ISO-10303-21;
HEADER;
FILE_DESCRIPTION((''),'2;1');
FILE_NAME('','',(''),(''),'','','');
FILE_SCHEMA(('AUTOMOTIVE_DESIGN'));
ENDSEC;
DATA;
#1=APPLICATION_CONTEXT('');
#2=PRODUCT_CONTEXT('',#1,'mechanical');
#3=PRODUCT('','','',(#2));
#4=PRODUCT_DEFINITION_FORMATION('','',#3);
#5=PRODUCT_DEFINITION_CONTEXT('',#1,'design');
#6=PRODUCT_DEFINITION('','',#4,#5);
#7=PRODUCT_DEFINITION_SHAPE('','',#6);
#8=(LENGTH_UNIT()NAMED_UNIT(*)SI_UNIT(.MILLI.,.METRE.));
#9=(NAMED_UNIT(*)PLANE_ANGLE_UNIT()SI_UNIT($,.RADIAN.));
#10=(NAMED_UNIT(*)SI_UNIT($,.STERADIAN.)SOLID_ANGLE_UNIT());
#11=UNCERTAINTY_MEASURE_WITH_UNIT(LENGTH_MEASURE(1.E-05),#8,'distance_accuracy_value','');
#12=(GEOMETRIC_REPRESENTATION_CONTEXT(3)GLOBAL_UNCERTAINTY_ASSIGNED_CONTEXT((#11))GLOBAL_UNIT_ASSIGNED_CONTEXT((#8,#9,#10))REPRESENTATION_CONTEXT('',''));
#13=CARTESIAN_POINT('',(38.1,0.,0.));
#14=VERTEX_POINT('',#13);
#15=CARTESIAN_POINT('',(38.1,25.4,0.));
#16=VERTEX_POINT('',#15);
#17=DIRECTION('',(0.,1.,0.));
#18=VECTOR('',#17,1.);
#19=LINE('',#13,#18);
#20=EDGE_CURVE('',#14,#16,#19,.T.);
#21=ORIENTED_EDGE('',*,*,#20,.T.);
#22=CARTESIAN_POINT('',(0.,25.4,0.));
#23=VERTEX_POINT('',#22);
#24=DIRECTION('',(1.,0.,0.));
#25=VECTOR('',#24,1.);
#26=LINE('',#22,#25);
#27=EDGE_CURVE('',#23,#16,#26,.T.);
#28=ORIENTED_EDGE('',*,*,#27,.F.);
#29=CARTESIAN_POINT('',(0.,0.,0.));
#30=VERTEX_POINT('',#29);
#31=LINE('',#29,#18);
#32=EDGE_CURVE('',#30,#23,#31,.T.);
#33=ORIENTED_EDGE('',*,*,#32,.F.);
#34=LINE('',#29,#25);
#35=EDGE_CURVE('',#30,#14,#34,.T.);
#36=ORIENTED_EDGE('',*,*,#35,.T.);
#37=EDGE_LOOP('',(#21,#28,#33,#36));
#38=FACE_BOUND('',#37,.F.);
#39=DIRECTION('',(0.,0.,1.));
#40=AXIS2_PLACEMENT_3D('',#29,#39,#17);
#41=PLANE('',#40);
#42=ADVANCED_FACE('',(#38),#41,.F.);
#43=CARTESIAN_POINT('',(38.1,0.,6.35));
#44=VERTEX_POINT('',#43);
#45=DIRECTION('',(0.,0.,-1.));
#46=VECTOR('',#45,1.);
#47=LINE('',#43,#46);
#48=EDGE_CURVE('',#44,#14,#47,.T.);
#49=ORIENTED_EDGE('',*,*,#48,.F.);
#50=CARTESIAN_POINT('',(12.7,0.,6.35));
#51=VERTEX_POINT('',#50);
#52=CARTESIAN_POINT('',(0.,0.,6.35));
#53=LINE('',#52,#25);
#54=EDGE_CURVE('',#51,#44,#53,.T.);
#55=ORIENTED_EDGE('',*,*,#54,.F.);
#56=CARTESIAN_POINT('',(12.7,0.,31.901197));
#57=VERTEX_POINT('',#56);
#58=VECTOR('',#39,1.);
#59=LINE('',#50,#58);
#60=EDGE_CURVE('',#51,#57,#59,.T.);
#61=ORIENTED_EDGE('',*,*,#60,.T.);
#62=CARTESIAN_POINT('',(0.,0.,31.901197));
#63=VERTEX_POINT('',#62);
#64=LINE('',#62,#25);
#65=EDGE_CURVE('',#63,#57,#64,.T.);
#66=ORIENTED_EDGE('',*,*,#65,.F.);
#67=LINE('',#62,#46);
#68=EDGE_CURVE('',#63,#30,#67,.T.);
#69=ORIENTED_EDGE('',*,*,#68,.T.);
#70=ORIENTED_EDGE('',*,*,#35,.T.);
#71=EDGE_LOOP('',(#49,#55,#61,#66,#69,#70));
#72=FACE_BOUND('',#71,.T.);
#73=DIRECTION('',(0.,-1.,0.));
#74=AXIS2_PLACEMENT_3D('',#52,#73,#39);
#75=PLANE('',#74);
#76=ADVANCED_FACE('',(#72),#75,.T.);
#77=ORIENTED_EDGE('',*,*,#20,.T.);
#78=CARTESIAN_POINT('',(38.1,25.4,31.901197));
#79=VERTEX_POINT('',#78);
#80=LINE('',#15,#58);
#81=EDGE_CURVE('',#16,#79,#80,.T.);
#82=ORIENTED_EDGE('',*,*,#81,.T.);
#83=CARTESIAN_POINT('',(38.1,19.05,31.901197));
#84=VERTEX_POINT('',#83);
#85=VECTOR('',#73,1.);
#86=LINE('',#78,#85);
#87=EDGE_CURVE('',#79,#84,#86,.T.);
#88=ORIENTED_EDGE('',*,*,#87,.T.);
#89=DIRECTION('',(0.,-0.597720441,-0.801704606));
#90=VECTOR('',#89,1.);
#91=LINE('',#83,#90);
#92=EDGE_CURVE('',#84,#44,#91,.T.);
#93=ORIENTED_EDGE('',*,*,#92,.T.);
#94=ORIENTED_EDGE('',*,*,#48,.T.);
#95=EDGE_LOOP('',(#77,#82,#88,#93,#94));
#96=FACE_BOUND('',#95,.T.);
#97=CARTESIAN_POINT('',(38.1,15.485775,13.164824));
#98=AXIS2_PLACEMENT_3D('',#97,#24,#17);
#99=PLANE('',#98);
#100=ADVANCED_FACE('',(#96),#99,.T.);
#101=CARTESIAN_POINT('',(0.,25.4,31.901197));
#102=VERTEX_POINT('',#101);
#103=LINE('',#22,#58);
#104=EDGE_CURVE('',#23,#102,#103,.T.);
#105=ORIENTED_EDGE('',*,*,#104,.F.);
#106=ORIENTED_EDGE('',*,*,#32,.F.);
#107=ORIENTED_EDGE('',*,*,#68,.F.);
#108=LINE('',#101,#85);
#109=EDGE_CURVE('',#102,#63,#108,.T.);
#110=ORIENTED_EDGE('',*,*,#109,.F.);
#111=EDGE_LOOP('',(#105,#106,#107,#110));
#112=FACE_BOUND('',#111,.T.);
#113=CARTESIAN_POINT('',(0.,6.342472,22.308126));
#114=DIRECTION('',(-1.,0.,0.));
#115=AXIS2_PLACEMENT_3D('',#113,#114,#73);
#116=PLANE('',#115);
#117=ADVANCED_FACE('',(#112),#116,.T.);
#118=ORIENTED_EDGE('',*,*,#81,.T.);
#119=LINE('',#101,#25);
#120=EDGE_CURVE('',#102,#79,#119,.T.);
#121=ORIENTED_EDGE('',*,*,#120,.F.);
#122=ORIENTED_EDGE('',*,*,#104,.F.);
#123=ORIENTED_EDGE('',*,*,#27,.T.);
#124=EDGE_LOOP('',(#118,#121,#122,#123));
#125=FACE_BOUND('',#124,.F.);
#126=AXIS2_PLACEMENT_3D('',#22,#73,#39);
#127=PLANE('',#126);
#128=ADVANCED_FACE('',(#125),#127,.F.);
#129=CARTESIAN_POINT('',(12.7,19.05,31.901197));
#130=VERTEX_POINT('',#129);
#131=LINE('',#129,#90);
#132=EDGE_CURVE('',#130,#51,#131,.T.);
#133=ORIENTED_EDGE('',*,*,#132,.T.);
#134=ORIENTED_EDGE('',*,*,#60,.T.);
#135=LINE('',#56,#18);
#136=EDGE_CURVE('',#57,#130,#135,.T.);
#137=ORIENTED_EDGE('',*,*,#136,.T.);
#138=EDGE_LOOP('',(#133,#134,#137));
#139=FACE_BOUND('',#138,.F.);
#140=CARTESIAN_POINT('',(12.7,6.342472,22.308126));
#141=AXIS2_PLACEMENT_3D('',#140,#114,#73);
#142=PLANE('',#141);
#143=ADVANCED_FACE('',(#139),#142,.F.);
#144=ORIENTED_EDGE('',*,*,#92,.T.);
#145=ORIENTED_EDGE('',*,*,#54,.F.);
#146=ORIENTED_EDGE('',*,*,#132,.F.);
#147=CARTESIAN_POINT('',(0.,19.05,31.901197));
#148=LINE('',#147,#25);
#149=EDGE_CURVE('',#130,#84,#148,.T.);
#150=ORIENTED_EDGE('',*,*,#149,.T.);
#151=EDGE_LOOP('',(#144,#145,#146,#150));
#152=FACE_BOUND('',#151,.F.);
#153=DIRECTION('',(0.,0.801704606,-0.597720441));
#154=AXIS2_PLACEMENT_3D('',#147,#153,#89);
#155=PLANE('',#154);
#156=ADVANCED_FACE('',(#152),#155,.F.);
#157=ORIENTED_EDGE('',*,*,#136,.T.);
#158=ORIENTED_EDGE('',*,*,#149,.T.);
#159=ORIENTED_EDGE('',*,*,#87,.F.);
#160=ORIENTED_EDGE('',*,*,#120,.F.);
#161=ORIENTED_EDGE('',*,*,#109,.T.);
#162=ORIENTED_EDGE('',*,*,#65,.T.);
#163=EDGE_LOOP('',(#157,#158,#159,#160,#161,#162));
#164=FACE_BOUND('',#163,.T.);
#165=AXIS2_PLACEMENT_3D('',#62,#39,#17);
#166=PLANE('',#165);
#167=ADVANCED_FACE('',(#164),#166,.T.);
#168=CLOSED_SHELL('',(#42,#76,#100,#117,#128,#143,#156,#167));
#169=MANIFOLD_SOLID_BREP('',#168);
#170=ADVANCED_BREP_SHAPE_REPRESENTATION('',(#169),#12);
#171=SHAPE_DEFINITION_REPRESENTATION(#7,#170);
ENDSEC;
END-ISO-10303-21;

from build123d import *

# Parameters (mm, degrees)
F1_DEPTH = 38.1
F3_DEPTH = 12.7


with BuildPart() as f1:
    # F0 (on Right) → F1 (new body)
    with BuildSketch(Plane.YZ):
        Polygon((0, 6.35), (0, 0), (25.4, 0), (25.4, 31.901197), (19.05, 31.901197), align=None)
    extrude(amount=F1_DEPTH)

    # F2 (on face) → F3 (join)
    with BuildSketch(Plane(origin=(0, 0, 0), x_dir=(0, -1, 0), z_dir=(-1, 0, 0))):
        Polygon((0, 31.901197), (-19.05, 31.901197), (0, 6.35), align=None)
    extrude(amount=-F3_DEPTH)


solid = f1.part
